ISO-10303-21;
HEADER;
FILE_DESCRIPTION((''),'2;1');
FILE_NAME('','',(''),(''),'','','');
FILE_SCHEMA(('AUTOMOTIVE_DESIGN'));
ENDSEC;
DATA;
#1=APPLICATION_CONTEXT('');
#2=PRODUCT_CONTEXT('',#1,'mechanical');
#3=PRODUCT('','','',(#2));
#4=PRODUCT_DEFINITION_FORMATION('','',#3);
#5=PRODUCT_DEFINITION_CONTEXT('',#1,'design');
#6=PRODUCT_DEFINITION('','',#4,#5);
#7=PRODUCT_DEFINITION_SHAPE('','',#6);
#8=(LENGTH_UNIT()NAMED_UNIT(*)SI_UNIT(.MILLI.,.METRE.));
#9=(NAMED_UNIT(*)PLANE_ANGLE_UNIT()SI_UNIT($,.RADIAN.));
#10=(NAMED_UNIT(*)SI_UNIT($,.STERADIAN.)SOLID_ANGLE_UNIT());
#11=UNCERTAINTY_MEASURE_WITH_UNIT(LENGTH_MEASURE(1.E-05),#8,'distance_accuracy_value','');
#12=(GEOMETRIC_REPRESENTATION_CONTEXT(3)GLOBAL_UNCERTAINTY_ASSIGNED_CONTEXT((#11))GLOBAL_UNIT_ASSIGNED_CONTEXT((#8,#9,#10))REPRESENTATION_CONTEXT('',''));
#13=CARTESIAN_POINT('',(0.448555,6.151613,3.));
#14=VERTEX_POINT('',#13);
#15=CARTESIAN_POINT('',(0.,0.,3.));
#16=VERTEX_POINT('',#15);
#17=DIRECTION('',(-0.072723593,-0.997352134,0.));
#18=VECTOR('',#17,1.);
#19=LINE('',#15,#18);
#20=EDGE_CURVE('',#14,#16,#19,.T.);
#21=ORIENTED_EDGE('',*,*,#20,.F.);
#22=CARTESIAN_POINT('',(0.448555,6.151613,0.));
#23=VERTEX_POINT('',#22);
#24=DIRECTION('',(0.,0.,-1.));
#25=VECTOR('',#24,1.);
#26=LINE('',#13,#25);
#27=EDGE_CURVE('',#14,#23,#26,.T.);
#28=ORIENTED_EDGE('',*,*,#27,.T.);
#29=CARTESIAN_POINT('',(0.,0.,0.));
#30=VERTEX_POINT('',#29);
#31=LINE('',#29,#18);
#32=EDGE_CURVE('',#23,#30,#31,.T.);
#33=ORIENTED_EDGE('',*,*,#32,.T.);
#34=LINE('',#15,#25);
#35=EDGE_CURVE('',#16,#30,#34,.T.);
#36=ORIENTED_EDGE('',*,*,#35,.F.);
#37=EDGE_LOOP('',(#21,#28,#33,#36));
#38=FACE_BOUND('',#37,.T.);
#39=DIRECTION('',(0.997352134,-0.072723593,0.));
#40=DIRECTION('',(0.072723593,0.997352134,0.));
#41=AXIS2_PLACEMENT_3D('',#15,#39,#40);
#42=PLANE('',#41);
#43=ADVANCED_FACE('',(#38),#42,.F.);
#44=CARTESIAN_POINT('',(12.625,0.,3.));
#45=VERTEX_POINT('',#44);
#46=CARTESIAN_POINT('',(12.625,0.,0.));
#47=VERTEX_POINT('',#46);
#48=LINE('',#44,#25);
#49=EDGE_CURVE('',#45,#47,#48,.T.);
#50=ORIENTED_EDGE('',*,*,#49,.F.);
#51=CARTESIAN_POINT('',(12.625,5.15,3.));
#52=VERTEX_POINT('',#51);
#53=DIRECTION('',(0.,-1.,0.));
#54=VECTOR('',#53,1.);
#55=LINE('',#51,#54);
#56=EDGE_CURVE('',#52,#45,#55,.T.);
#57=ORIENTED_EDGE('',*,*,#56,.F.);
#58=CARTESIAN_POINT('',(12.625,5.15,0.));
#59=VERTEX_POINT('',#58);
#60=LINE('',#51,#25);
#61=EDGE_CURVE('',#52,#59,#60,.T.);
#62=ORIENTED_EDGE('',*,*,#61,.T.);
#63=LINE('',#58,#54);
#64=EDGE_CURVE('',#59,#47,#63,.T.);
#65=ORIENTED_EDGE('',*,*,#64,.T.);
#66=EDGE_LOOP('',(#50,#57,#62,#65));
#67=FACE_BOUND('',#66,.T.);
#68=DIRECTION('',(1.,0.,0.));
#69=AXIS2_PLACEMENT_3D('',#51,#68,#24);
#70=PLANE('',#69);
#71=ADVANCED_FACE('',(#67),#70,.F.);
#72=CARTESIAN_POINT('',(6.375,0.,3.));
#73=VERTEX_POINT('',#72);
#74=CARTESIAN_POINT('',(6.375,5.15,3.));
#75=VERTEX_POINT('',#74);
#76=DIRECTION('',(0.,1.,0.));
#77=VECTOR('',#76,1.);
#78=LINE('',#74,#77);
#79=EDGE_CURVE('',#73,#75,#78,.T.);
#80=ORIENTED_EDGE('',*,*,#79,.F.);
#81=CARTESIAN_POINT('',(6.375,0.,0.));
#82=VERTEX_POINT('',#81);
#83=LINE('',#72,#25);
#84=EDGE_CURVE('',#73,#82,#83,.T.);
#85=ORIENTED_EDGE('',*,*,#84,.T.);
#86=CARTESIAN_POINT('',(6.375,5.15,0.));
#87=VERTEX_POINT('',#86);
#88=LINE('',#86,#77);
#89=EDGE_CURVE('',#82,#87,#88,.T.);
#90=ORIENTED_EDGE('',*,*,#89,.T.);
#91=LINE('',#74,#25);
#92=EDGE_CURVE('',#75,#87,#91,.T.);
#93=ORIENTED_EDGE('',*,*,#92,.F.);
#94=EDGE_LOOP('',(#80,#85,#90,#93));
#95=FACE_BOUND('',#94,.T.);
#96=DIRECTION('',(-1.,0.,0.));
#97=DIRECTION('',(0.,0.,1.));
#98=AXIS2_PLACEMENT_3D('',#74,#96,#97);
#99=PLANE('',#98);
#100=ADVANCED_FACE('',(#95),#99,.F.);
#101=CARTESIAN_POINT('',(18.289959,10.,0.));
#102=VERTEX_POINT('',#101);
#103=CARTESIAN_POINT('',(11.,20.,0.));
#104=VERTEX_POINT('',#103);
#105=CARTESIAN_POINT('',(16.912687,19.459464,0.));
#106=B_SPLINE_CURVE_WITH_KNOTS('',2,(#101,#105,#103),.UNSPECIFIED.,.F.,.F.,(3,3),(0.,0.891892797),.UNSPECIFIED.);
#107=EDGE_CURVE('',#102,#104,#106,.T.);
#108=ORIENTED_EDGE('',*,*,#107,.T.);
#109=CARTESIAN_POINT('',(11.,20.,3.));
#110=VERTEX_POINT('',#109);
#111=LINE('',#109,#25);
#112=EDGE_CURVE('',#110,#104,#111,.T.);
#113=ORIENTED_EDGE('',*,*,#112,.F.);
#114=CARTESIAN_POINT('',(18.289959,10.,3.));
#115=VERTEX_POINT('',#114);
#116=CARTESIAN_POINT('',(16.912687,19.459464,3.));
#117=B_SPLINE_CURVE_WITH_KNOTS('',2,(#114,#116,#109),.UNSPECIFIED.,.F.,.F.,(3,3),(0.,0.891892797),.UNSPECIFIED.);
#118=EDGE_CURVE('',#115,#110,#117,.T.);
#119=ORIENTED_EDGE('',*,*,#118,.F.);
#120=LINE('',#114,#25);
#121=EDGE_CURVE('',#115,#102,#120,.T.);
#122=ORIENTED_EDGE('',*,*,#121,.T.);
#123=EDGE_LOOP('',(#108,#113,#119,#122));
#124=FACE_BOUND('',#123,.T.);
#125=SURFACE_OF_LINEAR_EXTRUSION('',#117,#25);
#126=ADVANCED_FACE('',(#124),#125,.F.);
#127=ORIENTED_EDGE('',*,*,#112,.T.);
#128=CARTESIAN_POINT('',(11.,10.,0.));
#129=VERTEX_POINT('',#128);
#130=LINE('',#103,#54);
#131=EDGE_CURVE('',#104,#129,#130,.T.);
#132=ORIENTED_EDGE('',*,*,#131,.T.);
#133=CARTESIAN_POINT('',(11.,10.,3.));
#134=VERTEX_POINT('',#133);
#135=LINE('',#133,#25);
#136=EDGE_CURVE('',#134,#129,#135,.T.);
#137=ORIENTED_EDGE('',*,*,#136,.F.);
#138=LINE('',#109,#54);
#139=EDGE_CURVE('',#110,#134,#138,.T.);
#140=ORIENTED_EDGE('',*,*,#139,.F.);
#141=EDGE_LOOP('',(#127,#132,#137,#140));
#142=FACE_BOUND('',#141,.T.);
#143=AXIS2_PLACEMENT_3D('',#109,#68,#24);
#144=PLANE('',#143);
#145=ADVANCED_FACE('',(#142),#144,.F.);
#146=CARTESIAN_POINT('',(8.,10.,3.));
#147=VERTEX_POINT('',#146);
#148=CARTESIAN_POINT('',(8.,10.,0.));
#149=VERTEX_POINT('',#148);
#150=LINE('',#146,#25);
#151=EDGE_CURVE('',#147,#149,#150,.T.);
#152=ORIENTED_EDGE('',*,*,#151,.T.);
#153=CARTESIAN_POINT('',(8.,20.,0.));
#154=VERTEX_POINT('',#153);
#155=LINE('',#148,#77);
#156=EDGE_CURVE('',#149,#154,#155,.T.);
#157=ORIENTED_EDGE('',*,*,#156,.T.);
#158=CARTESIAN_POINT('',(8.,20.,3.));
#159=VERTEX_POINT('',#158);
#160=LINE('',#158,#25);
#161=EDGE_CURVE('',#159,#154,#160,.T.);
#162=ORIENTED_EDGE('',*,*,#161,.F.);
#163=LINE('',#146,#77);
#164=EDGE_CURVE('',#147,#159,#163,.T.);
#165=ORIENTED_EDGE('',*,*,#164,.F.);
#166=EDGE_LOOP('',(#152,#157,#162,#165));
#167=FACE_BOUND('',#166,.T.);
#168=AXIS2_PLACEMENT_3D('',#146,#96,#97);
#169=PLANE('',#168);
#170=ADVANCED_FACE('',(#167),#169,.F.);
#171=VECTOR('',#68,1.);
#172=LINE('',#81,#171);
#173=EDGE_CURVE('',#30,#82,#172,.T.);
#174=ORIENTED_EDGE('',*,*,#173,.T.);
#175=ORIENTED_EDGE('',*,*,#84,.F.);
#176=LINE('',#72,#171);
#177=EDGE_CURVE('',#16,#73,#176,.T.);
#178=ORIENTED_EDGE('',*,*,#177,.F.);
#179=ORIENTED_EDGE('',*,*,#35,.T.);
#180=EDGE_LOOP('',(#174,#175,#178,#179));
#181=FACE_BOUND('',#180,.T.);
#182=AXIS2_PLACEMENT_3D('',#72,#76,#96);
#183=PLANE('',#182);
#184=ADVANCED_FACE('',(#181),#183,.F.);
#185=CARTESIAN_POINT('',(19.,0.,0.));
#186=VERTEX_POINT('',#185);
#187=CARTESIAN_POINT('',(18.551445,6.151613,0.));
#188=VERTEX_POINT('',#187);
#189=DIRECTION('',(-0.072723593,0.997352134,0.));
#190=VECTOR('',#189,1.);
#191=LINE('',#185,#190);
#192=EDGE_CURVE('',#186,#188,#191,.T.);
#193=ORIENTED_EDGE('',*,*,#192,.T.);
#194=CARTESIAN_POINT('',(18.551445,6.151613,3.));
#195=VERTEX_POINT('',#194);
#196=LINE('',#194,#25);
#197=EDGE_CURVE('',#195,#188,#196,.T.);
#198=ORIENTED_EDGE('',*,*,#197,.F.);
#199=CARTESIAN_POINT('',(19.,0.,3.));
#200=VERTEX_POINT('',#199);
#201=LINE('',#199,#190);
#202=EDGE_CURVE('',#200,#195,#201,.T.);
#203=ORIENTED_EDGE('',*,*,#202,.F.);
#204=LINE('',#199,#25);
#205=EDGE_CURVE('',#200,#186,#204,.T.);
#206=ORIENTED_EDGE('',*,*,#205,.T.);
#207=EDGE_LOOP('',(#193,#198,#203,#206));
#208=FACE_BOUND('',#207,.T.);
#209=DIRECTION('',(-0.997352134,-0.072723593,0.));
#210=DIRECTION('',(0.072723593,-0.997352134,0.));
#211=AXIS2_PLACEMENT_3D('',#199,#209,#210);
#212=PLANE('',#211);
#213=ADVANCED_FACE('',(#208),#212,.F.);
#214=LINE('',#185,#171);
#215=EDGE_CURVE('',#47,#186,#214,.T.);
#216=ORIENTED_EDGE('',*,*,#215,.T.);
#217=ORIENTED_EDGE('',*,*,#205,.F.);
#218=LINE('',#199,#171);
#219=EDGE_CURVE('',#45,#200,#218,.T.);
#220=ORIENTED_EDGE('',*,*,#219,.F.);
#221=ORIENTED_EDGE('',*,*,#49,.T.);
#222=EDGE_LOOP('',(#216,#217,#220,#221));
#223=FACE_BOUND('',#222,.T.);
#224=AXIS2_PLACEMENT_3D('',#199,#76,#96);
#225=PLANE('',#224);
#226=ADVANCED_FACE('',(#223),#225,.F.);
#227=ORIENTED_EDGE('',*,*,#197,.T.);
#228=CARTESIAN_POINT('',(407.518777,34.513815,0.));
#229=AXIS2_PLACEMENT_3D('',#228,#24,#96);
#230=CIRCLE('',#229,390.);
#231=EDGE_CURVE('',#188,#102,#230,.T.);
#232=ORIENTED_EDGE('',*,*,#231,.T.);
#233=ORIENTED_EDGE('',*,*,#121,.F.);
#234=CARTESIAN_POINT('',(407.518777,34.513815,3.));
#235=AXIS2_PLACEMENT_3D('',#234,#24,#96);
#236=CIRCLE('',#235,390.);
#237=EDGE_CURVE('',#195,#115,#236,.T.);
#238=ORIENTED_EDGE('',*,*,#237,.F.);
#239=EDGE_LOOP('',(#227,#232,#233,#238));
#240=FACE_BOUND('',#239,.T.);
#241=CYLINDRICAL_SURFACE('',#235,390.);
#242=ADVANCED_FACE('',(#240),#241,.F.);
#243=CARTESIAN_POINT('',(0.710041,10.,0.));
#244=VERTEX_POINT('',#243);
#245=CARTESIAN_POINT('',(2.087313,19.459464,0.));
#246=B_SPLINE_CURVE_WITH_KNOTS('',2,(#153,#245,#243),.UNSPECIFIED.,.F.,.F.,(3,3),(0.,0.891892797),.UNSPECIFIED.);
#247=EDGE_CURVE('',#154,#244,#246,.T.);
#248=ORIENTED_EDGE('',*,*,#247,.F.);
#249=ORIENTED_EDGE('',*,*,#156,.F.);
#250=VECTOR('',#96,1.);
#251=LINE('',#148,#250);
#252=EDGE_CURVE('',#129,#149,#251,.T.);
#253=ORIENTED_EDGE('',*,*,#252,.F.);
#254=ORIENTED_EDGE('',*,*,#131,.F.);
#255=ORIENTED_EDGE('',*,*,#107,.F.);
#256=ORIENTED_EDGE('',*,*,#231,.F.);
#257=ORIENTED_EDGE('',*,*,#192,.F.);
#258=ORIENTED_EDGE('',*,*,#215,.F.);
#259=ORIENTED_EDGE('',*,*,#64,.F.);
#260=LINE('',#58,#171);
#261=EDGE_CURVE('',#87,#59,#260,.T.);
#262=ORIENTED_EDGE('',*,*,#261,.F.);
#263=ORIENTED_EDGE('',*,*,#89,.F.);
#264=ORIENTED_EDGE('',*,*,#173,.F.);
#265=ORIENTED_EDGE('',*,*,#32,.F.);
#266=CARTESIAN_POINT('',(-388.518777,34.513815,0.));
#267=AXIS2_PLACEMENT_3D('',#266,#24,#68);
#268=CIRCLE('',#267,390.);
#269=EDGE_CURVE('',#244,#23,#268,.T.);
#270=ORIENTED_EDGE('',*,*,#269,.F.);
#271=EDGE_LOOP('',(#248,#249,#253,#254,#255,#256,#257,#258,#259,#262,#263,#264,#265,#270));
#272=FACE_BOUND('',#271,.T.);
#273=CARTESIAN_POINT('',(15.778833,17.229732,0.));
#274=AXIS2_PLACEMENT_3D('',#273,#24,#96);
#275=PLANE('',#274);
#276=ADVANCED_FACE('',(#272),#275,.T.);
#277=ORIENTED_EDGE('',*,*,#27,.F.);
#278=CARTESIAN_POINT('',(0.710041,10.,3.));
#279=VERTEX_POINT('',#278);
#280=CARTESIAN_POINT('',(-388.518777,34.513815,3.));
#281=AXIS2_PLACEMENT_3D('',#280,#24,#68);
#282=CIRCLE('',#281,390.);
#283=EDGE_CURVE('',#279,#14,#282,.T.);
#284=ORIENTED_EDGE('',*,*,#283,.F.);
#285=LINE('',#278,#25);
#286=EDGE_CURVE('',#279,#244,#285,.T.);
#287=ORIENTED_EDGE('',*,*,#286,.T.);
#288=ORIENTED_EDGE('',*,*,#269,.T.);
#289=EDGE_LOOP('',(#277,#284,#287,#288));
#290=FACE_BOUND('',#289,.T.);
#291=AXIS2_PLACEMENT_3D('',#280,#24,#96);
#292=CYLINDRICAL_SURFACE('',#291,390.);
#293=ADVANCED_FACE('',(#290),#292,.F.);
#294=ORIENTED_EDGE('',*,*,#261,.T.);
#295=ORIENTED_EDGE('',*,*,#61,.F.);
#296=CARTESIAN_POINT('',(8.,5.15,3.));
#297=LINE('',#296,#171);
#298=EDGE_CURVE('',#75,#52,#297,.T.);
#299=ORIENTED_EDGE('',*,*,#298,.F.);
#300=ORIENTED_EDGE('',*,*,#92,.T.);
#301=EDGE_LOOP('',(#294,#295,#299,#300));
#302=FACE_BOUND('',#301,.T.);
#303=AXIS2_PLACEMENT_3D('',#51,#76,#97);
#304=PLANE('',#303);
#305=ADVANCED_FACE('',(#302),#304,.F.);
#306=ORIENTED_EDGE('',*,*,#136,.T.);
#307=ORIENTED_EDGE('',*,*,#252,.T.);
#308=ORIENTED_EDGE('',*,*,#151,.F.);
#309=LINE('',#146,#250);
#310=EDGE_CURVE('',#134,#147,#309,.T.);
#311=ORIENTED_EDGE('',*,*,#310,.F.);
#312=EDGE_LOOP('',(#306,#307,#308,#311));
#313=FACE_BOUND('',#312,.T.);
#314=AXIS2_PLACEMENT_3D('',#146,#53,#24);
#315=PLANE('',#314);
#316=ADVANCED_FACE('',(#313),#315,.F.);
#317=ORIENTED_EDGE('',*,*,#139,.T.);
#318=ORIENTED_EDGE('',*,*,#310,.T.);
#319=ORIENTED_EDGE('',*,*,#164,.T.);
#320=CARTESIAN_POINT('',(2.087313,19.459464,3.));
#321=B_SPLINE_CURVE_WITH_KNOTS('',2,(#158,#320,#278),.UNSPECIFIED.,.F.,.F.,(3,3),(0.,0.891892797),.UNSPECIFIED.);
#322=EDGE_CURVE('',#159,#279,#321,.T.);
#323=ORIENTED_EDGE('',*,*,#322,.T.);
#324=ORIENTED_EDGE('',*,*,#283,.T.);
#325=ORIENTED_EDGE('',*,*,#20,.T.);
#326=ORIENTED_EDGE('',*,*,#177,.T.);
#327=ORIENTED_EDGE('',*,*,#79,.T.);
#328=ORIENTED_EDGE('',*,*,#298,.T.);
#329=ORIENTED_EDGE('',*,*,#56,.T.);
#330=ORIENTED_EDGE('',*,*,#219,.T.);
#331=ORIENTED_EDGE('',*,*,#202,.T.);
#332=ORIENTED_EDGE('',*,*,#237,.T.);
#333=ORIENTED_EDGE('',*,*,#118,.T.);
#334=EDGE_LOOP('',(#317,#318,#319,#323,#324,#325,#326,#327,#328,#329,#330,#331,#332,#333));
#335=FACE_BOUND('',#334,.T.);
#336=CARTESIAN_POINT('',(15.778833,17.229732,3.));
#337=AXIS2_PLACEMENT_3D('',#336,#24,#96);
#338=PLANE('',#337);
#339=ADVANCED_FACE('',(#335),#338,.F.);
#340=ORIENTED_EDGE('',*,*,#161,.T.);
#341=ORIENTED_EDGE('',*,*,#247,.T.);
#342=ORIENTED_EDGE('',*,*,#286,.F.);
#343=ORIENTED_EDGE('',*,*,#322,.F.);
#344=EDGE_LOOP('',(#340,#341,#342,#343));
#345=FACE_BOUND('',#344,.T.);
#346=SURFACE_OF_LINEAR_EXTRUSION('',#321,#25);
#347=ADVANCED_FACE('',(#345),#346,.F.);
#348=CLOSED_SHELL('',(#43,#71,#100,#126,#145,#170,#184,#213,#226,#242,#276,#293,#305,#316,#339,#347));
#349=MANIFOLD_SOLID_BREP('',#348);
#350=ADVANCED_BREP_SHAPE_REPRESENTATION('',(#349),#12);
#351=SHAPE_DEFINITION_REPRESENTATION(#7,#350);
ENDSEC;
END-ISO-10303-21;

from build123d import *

# Parameters (mm, degrees)
RESSALTO_EXTRUS_O1_DEPTH = 3


with BuildPart() as part:
    # Esboço1 → Ressalto-extrusão1 (new body)
    with BuildSketch(Plane.XY):
        with BuildLine():
            Line((19, 0), (12.625, 0))
            Line((12.625, 0), (12.625, 5.15))
            Line((12.625, 5.15), (11, 5.15))
            Line((11, 5.15), (8, 5.15))
            Line((8, 5.15), (6.375, 5.15))
            Line((6.375, 5.15), (6.375, 0))
            Line((6.375, 0), (0, 0))
            Line((0, 0), (0.448555141, 6.151613366))
            ThreePointArc((0.448555141, 6.151613366), (0.584055906, 8.075483405), (0.710041083, 10))
            add(Edge.make_bspline(
                [(0.710041083, 10), (2.087312964, 19.459463986), (8, 20)],
                knots=[0, 0, 0, 0.891892797, 0.891892797, 0.891892797], degree=2))
            Line((8, 20), (8, 10))
            Line((8, 10), (11, 10))
            Line((11, 10), (11, 20))
            add(Edge.make_bspline(
                [(18.289958917, 10), (16.912687036, 19.459463986), (11, 20)],
                knots=[0, 0, 0, 0.891892797, 0.891892797, 0.891892797], degree=2))
            ThreePointArc((18.289958917, 10), (18.415944094, 8.075483405), (18.551444859, 6.151613366))
            Line((18.551444859, 6.151613366), (19, 0))
        make_face()
    extrude(amount=RESSALTO_EXTRUS_O1_DEPTH)


solid = part.part
